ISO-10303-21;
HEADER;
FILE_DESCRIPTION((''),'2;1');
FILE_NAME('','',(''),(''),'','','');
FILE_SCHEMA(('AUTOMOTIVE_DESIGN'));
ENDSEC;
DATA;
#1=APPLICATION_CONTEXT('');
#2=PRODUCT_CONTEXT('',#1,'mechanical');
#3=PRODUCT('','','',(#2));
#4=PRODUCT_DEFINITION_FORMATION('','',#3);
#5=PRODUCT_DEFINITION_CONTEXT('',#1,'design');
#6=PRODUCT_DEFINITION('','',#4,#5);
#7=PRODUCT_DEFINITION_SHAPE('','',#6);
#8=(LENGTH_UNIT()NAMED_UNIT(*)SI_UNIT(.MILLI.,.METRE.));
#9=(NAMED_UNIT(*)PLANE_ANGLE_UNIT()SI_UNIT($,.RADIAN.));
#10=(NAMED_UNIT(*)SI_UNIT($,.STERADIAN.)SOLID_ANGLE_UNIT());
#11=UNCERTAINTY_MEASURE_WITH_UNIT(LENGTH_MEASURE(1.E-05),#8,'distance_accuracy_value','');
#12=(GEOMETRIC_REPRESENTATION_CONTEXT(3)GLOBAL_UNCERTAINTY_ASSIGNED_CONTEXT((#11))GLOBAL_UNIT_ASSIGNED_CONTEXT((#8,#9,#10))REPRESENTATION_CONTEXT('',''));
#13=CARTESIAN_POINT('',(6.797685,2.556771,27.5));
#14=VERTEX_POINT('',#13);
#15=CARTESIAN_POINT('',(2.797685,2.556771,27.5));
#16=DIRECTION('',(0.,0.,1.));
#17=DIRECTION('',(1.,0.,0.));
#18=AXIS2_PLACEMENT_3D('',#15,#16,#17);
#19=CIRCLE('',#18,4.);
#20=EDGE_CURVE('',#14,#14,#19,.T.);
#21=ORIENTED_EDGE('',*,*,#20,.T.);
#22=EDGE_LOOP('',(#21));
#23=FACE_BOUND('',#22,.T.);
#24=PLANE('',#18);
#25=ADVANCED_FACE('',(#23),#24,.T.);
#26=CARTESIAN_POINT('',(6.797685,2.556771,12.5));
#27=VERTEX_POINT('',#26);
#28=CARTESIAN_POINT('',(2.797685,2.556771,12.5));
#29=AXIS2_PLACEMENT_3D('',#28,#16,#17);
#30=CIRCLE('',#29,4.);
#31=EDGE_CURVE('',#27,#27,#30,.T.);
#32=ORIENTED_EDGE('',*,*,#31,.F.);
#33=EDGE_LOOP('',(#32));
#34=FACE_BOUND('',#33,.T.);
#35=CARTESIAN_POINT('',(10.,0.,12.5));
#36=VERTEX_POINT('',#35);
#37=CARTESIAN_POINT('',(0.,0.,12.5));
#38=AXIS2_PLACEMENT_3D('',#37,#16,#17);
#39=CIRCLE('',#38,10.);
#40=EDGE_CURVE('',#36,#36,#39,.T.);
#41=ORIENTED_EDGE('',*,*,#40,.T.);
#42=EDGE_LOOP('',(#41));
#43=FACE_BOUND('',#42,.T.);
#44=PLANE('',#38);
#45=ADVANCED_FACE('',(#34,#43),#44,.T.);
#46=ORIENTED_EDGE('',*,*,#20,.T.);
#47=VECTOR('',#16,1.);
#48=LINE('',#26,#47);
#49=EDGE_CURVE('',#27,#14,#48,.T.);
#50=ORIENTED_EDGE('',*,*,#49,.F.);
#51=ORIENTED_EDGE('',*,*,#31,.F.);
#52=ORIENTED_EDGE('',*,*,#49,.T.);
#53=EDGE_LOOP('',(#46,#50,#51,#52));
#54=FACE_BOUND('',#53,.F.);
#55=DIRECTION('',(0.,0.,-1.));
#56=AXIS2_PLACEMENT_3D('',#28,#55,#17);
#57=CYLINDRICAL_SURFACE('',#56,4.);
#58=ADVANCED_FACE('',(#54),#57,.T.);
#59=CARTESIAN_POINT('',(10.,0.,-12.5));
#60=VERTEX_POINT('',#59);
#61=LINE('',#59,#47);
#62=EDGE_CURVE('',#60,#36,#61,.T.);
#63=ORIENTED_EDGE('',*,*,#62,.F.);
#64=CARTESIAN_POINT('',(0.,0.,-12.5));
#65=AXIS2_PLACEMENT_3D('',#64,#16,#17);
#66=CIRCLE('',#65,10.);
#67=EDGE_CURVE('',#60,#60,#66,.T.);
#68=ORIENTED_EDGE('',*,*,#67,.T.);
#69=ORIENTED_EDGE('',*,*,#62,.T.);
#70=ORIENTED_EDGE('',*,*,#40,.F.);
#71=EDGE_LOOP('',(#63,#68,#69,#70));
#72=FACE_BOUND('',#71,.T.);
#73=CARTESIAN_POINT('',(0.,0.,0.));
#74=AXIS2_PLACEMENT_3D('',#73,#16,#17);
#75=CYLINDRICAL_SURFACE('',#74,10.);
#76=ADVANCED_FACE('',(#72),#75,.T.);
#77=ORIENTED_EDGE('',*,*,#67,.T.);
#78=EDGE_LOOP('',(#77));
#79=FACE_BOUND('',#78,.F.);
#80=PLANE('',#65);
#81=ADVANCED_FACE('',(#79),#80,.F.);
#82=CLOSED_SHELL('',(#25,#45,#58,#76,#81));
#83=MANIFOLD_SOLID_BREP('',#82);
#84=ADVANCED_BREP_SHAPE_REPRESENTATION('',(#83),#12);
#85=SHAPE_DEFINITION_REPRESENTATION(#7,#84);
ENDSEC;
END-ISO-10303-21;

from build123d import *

# Parameters (mm, degrees)
F0_R     = 10
F1_DEPTH = 12.5
F2_R     = 4
F3_DEPTH = 15


with BuildPart() as f1:
    # F0 (on Top) → F1 (new body, symmetric)
    with BuildSketch(Plane.XY):
        Circle(F0_R)
    extrude(amount=F1_DEPTH, both=True)

    # F2 (on face) → F3 (join)
    with BuildSketch(Plane.XY.offset(12.5)):
        with Locations((2.7976846322, 2.55677104)):
            Circle(F2_R)
    extrude(amount=F3_DEPTH)


solid = f1.part
